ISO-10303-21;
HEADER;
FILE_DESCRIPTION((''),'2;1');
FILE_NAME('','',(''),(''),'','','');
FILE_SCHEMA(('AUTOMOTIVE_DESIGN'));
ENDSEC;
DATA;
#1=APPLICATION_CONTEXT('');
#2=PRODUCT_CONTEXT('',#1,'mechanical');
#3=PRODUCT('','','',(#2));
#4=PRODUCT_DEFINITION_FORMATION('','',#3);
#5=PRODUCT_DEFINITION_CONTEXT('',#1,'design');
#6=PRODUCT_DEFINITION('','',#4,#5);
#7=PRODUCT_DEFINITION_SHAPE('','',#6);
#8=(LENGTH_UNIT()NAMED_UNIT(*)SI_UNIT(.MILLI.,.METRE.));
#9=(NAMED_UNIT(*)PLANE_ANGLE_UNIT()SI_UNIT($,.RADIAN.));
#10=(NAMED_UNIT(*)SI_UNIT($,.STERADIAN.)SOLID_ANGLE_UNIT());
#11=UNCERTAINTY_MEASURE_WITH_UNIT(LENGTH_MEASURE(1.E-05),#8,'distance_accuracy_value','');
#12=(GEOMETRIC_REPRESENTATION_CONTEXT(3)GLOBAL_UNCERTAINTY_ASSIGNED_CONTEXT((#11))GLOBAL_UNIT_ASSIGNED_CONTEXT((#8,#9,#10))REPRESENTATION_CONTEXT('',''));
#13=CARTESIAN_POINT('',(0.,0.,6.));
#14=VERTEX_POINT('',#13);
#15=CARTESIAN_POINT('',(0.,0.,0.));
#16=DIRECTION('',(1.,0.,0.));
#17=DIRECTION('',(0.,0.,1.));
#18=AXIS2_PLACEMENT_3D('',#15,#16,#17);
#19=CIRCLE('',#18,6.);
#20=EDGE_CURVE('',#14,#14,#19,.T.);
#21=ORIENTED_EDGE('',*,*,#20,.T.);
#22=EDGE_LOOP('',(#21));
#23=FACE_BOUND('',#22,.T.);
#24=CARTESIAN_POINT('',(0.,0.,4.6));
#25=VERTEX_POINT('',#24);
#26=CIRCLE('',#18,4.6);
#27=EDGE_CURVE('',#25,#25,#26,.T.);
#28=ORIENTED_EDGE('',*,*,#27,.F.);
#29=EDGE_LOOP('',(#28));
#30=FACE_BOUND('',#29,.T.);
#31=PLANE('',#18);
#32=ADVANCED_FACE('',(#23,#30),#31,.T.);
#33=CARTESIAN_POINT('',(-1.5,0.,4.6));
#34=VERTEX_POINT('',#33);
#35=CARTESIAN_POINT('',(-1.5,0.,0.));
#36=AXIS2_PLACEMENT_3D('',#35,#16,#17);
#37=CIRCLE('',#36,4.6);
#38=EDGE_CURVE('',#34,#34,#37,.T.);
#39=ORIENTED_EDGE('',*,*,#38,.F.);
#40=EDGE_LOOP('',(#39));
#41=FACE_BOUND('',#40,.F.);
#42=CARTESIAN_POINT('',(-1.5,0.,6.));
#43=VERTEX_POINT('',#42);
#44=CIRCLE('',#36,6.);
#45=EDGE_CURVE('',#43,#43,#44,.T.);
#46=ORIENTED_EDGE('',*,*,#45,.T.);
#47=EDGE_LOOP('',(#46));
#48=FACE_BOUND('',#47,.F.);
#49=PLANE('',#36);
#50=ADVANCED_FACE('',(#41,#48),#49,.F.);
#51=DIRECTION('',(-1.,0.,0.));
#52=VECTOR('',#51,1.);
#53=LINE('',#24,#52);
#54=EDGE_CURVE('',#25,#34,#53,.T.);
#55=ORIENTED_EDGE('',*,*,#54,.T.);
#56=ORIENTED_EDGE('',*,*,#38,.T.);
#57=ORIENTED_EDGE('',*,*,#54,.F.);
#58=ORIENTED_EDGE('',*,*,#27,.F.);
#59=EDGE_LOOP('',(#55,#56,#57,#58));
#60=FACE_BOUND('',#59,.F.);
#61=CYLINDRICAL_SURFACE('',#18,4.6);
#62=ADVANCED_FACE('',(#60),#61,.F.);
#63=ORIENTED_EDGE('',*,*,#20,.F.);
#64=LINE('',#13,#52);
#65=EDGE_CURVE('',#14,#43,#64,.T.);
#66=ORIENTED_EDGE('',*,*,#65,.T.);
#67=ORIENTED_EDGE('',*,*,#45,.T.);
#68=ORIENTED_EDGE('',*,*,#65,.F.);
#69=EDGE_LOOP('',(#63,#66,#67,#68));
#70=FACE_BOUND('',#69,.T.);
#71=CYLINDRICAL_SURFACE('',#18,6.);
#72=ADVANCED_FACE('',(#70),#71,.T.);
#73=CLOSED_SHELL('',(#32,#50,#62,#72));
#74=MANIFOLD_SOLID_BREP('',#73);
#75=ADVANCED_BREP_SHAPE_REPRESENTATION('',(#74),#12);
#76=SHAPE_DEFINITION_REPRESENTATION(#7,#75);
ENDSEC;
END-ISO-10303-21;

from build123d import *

# Parameters (mm, degrees)
F0_R     = 6
F1_DEPTH = 1.5
F2_R     = 4.6
F3_DEPTH = 1.501
F4_ANGLE = 90
F6_ANGLE = 90


with BuildPart() as f1:
    # F0 (on Front) → F1 (new body)
    with BuildSketch(Plane.XZ):
        Circle(F0_R)
    extrude(amount=-F1_DEPTH)

    # F2 (on face) → F3 (cut, through all)
    with BuildSketch(Plane.XZ):
        Circle(F2_R)
    extrude(amount=-F3_DEPTH, mode=Mode.SUBTRACT)


with BuildPart() as f1_1:
    # F4: moved
    add(f1.part.rotate(Axis((0, 0, 0), (0, -1, 0)), F4_ANGLE))


with BuildPart() as f1_2:
    # F6: moved
    add(f1_1.part.rotate(Axis((0, 0, 0.289831), (0, 0, 1)), F6_ANGLE))


solid = f1_2.part
